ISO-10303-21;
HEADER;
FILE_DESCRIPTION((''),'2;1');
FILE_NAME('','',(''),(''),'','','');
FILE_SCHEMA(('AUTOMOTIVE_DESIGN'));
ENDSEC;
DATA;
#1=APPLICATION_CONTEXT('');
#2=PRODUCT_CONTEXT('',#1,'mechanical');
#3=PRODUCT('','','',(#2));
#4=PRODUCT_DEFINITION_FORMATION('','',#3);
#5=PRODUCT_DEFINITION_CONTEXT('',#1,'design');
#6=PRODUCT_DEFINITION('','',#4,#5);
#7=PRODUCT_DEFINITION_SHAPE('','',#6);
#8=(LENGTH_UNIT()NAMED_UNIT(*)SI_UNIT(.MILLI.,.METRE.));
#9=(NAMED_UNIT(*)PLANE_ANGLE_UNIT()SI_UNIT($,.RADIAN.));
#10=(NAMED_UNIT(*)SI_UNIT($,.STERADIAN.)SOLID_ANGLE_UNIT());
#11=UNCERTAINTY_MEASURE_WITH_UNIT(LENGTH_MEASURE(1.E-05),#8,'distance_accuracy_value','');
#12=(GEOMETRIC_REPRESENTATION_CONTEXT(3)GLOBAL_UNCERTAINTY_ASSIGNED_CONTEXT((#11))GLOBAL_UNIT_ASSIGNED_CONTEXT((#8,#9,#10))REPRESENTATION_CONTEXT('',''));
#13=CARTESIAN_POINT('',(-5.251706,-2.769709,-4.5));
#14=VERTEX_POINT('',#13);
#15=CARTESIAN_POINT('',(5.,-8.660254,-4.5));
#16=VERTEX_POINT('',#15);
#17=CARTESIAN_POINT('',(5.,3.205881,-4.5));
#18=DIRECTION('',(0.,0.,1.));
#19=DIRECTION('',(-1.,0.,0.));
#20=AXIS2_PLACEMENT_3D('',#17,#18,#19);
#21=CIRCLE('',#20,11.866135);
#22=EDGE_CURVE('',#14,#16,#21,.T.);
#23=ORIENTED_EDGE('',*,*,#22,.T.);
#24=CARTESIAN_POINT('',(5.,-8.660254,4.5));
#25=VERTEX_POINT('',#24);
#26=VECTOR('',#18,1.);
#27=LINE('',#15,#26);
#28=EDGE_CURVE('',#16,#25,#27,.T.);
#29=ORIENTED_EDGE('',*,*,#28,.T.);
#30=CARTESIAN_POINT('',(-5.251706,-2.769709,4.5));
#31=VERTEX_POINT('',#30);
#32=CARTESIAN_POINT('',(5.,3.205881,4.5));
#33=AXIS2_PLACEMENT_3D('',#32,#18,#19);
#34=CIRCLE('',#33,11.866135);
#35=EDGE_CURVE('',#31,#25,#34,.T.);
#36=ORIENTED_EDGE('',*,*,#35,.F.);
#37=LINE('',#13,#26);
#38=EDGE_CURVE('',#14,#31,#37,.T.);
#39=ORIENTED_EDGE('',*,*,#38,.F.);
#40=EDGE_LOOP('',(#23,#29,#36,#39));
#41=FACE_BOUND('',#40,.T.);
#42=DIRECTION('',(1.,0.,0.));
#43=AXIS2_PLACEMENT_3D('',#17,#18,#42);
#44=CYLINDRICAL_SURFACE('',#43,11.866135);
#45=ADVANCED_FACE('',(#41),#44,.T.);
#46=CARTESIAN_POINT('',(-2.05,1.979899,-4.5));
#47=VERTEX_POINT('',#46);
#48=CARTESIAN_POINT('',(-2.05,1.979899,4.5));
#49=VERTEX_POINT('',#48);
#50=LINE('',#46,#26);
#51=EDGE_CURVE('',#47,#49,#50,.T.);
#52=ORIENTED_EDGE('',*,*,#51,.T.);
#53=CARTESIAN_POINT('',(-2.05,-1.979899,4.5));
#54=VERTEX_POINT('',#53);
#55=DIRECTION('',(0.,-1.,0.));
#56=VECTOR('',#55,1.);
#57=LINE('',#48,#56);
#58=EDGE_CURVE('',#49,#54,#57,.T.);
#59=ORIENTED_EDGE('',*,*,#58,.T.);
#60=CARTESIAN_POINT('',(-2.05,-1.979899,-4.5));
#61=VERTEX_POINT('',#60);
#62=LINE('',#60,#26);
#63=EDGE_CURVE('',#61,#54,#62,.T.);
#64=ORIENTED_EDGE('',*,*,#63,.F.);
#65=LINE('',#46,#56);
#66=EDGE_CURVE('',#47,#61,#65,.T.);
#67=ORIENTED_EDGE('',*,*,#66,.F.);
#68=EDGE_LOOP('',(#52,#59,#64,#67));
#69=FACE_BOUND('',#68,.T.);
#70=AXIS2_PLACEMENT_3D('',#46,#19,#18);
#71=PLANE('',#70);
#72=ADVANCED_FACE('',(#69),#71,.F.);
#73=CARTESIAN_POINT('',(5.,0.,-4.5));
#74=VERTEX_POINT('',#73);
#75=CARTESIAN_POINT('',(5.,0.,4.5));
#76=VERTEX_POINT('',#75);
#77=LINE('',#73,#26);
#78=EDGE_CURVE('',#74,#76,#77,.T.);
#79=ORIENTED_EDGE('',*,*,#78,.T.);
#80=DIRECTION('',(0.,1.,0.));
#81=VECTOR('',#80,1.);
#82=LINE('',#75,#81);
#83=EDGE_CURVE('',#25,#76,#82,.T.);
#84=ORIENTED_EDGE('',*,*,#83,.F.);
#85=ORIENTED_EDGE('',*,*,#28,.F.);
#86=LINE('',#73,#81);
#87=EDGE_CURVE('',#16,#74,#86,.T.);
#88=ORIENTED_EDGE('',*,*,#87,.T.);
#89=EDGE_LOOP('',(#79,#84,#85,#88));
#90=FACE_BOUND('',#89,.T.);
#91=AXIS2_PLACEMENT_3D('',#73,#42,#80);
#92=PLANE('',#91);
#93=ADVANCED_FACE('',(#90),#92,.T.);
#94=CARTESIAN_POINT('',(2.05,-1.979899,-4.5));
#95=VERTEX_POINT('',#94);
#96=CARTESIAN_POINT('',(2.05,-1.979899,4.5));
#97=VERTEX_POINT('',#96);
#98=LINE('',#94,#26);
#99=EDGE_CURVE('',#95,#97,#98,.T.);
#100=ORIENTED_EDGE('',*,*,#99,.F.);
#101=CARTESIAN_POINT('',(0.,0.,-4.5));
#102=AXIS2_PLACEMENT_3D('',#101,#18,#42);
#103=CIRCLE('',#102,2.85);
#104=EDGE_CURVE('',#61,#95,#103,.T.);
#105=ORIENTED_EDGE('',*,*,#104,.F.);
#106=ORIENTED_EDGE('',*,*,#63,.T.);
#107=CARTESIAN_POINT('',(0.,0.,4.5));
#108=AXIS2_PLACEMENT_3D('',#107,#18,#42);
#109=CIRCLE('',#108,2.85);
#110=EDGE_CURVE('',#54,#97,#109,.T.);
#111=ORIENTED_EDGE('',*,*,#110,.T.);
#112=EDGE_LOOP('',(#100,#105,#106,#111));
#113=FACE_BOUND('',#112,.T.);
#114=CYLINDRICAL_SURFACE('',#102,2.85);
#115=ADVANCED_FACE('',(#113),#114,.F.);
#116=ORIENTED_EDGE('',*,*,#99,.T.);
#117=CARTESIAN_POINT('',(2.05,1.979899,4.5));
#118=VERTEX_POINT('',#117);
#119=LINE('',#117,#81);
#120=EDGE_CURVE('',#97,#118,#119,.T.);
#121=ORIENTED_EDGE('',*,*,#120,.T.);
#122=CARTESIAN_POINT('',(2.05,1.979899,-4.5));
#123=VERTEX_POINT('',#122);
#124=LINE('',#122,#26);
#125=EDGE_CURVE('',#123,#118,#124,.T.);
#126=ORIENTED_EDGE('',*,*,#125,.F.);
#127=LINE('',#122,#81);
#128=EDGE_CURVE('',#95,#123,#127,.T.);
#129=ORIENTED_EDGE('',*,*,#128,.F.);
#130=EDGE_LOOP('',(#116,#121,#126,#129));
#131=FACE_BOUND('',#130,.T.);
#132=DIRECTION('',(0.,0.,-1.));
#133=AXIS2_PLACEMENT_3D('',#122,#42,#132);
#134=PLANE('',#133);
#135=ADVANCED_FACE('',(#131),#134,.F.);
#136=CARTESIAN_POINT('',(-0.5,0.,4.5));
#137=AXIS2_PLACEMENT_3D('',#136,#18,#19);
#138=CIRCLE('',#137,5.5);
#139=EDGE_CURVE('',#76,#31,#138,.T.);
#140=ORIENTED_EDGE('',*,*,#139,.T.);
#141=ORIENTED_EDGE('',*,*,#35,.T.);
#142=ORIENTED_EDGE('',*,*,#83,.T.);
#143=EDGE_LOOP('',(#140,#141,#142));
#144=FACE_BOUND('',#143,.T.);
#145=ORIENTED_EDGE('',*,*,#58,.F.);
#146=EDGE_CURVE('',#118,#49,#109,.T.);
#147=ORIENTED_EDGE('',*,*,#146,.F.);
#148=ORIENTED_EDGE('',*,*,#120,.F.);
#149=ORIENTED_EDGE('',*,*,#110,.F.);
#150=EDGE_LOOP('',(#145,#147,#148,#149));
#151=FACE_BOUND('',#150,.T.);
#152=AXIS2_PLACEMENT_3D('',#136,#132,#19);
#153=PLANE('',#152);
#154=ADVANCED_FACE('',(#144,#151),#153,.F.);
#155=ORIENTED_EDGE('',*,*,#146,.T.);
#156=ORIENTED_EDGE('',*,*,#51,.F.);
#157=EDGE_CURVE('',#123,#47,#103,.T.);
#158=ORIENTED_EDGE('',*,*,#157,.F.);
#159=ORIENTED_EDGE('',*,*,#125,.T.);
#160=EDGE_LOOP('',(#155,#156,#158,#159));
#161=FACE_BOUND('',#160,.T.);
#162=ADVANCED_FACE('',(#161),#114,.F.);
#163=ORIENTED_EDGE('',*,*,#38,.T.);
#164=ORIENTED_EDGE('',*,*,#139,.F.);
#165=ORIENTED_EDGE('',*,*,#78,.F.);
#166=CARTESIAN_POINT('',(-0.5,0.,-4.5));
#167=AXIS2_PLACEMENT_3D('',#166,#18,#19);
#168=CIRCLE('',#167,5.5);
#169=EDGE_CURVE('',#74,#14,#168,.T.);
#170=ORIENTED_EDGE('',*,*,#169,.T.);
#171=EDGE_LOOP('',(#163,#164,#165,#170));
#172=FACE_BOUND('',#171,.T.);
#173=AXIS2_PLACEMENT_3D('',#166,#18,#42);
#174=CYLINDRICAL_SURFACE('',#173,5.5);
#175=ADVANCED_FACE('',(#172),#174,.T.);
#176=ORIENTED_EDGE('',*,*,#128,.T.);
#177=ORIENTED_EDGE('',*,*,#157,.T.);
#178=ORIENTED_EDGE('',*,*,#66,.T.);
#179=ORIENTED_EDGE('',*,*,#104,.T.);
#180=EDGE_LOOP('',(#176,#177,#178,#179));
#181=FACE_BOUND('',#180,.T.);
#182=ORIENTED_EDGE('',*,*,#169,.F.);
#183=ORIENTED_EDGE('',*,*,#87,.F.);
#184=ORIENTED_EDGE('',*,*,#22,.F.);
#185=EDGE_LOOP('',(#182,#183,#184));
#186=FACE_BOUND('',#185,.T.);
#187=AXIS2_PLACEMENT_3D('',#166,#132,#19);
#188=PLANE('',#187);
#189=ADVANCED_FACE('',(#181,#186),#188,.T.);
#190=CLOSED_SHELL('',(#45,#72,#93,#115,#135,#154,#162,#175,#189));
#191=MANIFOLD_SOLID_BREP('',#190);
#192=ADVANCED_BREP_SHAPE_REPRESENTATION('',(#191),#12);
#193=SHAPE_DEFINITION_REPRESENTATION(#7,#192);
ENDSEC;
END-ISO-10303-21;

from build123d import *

# Parameters (mm, degrees)
EXTRUDE_935_DEPTH      = 4.5
EXTRUDE_935_DEPTH_BACK = 4.5


with BuildPart() as part:
    # Эскиз1 → Extrude 935 (new, two sides: drawn at the far end of the back side and taken through both)
    with BuildSketch(Plane.XY.offset(-EXTRUDE_935_DEPTH_BACK)):
        with BuildLine():
            Line((5, 0), (5, -8.660254038))
            ThreePointArc((5, -8.660254038), (-0.911767719, -7.082761379), (-5.251705953, -2.769709468))
            ThreePointArc((-5.251705953, -2.769709468), (-1.934506406, 5.309631943), (5, 0))
        make_face()
        with BuildLine():
            Line((-2.05, 1.979898987), (-2.05, -1.979898987))
            ThreePointArc((-2.05, -1.979898987), (0, -2.85), (2.05, -1.979898987))
            Line((2.05, -1.979898987), (2.05, 1.979898987))
            ThreePointArc((2.05, 1.979898987), (0, 2.85), (-2.05, 1.979898987))
        make_face(mode=Mode.SUBTRACT)
    extrude(amount=EXTRUDE_935_DEPTH + EXTRUDE_935_DEPTH_BACK)


solid = part.part
